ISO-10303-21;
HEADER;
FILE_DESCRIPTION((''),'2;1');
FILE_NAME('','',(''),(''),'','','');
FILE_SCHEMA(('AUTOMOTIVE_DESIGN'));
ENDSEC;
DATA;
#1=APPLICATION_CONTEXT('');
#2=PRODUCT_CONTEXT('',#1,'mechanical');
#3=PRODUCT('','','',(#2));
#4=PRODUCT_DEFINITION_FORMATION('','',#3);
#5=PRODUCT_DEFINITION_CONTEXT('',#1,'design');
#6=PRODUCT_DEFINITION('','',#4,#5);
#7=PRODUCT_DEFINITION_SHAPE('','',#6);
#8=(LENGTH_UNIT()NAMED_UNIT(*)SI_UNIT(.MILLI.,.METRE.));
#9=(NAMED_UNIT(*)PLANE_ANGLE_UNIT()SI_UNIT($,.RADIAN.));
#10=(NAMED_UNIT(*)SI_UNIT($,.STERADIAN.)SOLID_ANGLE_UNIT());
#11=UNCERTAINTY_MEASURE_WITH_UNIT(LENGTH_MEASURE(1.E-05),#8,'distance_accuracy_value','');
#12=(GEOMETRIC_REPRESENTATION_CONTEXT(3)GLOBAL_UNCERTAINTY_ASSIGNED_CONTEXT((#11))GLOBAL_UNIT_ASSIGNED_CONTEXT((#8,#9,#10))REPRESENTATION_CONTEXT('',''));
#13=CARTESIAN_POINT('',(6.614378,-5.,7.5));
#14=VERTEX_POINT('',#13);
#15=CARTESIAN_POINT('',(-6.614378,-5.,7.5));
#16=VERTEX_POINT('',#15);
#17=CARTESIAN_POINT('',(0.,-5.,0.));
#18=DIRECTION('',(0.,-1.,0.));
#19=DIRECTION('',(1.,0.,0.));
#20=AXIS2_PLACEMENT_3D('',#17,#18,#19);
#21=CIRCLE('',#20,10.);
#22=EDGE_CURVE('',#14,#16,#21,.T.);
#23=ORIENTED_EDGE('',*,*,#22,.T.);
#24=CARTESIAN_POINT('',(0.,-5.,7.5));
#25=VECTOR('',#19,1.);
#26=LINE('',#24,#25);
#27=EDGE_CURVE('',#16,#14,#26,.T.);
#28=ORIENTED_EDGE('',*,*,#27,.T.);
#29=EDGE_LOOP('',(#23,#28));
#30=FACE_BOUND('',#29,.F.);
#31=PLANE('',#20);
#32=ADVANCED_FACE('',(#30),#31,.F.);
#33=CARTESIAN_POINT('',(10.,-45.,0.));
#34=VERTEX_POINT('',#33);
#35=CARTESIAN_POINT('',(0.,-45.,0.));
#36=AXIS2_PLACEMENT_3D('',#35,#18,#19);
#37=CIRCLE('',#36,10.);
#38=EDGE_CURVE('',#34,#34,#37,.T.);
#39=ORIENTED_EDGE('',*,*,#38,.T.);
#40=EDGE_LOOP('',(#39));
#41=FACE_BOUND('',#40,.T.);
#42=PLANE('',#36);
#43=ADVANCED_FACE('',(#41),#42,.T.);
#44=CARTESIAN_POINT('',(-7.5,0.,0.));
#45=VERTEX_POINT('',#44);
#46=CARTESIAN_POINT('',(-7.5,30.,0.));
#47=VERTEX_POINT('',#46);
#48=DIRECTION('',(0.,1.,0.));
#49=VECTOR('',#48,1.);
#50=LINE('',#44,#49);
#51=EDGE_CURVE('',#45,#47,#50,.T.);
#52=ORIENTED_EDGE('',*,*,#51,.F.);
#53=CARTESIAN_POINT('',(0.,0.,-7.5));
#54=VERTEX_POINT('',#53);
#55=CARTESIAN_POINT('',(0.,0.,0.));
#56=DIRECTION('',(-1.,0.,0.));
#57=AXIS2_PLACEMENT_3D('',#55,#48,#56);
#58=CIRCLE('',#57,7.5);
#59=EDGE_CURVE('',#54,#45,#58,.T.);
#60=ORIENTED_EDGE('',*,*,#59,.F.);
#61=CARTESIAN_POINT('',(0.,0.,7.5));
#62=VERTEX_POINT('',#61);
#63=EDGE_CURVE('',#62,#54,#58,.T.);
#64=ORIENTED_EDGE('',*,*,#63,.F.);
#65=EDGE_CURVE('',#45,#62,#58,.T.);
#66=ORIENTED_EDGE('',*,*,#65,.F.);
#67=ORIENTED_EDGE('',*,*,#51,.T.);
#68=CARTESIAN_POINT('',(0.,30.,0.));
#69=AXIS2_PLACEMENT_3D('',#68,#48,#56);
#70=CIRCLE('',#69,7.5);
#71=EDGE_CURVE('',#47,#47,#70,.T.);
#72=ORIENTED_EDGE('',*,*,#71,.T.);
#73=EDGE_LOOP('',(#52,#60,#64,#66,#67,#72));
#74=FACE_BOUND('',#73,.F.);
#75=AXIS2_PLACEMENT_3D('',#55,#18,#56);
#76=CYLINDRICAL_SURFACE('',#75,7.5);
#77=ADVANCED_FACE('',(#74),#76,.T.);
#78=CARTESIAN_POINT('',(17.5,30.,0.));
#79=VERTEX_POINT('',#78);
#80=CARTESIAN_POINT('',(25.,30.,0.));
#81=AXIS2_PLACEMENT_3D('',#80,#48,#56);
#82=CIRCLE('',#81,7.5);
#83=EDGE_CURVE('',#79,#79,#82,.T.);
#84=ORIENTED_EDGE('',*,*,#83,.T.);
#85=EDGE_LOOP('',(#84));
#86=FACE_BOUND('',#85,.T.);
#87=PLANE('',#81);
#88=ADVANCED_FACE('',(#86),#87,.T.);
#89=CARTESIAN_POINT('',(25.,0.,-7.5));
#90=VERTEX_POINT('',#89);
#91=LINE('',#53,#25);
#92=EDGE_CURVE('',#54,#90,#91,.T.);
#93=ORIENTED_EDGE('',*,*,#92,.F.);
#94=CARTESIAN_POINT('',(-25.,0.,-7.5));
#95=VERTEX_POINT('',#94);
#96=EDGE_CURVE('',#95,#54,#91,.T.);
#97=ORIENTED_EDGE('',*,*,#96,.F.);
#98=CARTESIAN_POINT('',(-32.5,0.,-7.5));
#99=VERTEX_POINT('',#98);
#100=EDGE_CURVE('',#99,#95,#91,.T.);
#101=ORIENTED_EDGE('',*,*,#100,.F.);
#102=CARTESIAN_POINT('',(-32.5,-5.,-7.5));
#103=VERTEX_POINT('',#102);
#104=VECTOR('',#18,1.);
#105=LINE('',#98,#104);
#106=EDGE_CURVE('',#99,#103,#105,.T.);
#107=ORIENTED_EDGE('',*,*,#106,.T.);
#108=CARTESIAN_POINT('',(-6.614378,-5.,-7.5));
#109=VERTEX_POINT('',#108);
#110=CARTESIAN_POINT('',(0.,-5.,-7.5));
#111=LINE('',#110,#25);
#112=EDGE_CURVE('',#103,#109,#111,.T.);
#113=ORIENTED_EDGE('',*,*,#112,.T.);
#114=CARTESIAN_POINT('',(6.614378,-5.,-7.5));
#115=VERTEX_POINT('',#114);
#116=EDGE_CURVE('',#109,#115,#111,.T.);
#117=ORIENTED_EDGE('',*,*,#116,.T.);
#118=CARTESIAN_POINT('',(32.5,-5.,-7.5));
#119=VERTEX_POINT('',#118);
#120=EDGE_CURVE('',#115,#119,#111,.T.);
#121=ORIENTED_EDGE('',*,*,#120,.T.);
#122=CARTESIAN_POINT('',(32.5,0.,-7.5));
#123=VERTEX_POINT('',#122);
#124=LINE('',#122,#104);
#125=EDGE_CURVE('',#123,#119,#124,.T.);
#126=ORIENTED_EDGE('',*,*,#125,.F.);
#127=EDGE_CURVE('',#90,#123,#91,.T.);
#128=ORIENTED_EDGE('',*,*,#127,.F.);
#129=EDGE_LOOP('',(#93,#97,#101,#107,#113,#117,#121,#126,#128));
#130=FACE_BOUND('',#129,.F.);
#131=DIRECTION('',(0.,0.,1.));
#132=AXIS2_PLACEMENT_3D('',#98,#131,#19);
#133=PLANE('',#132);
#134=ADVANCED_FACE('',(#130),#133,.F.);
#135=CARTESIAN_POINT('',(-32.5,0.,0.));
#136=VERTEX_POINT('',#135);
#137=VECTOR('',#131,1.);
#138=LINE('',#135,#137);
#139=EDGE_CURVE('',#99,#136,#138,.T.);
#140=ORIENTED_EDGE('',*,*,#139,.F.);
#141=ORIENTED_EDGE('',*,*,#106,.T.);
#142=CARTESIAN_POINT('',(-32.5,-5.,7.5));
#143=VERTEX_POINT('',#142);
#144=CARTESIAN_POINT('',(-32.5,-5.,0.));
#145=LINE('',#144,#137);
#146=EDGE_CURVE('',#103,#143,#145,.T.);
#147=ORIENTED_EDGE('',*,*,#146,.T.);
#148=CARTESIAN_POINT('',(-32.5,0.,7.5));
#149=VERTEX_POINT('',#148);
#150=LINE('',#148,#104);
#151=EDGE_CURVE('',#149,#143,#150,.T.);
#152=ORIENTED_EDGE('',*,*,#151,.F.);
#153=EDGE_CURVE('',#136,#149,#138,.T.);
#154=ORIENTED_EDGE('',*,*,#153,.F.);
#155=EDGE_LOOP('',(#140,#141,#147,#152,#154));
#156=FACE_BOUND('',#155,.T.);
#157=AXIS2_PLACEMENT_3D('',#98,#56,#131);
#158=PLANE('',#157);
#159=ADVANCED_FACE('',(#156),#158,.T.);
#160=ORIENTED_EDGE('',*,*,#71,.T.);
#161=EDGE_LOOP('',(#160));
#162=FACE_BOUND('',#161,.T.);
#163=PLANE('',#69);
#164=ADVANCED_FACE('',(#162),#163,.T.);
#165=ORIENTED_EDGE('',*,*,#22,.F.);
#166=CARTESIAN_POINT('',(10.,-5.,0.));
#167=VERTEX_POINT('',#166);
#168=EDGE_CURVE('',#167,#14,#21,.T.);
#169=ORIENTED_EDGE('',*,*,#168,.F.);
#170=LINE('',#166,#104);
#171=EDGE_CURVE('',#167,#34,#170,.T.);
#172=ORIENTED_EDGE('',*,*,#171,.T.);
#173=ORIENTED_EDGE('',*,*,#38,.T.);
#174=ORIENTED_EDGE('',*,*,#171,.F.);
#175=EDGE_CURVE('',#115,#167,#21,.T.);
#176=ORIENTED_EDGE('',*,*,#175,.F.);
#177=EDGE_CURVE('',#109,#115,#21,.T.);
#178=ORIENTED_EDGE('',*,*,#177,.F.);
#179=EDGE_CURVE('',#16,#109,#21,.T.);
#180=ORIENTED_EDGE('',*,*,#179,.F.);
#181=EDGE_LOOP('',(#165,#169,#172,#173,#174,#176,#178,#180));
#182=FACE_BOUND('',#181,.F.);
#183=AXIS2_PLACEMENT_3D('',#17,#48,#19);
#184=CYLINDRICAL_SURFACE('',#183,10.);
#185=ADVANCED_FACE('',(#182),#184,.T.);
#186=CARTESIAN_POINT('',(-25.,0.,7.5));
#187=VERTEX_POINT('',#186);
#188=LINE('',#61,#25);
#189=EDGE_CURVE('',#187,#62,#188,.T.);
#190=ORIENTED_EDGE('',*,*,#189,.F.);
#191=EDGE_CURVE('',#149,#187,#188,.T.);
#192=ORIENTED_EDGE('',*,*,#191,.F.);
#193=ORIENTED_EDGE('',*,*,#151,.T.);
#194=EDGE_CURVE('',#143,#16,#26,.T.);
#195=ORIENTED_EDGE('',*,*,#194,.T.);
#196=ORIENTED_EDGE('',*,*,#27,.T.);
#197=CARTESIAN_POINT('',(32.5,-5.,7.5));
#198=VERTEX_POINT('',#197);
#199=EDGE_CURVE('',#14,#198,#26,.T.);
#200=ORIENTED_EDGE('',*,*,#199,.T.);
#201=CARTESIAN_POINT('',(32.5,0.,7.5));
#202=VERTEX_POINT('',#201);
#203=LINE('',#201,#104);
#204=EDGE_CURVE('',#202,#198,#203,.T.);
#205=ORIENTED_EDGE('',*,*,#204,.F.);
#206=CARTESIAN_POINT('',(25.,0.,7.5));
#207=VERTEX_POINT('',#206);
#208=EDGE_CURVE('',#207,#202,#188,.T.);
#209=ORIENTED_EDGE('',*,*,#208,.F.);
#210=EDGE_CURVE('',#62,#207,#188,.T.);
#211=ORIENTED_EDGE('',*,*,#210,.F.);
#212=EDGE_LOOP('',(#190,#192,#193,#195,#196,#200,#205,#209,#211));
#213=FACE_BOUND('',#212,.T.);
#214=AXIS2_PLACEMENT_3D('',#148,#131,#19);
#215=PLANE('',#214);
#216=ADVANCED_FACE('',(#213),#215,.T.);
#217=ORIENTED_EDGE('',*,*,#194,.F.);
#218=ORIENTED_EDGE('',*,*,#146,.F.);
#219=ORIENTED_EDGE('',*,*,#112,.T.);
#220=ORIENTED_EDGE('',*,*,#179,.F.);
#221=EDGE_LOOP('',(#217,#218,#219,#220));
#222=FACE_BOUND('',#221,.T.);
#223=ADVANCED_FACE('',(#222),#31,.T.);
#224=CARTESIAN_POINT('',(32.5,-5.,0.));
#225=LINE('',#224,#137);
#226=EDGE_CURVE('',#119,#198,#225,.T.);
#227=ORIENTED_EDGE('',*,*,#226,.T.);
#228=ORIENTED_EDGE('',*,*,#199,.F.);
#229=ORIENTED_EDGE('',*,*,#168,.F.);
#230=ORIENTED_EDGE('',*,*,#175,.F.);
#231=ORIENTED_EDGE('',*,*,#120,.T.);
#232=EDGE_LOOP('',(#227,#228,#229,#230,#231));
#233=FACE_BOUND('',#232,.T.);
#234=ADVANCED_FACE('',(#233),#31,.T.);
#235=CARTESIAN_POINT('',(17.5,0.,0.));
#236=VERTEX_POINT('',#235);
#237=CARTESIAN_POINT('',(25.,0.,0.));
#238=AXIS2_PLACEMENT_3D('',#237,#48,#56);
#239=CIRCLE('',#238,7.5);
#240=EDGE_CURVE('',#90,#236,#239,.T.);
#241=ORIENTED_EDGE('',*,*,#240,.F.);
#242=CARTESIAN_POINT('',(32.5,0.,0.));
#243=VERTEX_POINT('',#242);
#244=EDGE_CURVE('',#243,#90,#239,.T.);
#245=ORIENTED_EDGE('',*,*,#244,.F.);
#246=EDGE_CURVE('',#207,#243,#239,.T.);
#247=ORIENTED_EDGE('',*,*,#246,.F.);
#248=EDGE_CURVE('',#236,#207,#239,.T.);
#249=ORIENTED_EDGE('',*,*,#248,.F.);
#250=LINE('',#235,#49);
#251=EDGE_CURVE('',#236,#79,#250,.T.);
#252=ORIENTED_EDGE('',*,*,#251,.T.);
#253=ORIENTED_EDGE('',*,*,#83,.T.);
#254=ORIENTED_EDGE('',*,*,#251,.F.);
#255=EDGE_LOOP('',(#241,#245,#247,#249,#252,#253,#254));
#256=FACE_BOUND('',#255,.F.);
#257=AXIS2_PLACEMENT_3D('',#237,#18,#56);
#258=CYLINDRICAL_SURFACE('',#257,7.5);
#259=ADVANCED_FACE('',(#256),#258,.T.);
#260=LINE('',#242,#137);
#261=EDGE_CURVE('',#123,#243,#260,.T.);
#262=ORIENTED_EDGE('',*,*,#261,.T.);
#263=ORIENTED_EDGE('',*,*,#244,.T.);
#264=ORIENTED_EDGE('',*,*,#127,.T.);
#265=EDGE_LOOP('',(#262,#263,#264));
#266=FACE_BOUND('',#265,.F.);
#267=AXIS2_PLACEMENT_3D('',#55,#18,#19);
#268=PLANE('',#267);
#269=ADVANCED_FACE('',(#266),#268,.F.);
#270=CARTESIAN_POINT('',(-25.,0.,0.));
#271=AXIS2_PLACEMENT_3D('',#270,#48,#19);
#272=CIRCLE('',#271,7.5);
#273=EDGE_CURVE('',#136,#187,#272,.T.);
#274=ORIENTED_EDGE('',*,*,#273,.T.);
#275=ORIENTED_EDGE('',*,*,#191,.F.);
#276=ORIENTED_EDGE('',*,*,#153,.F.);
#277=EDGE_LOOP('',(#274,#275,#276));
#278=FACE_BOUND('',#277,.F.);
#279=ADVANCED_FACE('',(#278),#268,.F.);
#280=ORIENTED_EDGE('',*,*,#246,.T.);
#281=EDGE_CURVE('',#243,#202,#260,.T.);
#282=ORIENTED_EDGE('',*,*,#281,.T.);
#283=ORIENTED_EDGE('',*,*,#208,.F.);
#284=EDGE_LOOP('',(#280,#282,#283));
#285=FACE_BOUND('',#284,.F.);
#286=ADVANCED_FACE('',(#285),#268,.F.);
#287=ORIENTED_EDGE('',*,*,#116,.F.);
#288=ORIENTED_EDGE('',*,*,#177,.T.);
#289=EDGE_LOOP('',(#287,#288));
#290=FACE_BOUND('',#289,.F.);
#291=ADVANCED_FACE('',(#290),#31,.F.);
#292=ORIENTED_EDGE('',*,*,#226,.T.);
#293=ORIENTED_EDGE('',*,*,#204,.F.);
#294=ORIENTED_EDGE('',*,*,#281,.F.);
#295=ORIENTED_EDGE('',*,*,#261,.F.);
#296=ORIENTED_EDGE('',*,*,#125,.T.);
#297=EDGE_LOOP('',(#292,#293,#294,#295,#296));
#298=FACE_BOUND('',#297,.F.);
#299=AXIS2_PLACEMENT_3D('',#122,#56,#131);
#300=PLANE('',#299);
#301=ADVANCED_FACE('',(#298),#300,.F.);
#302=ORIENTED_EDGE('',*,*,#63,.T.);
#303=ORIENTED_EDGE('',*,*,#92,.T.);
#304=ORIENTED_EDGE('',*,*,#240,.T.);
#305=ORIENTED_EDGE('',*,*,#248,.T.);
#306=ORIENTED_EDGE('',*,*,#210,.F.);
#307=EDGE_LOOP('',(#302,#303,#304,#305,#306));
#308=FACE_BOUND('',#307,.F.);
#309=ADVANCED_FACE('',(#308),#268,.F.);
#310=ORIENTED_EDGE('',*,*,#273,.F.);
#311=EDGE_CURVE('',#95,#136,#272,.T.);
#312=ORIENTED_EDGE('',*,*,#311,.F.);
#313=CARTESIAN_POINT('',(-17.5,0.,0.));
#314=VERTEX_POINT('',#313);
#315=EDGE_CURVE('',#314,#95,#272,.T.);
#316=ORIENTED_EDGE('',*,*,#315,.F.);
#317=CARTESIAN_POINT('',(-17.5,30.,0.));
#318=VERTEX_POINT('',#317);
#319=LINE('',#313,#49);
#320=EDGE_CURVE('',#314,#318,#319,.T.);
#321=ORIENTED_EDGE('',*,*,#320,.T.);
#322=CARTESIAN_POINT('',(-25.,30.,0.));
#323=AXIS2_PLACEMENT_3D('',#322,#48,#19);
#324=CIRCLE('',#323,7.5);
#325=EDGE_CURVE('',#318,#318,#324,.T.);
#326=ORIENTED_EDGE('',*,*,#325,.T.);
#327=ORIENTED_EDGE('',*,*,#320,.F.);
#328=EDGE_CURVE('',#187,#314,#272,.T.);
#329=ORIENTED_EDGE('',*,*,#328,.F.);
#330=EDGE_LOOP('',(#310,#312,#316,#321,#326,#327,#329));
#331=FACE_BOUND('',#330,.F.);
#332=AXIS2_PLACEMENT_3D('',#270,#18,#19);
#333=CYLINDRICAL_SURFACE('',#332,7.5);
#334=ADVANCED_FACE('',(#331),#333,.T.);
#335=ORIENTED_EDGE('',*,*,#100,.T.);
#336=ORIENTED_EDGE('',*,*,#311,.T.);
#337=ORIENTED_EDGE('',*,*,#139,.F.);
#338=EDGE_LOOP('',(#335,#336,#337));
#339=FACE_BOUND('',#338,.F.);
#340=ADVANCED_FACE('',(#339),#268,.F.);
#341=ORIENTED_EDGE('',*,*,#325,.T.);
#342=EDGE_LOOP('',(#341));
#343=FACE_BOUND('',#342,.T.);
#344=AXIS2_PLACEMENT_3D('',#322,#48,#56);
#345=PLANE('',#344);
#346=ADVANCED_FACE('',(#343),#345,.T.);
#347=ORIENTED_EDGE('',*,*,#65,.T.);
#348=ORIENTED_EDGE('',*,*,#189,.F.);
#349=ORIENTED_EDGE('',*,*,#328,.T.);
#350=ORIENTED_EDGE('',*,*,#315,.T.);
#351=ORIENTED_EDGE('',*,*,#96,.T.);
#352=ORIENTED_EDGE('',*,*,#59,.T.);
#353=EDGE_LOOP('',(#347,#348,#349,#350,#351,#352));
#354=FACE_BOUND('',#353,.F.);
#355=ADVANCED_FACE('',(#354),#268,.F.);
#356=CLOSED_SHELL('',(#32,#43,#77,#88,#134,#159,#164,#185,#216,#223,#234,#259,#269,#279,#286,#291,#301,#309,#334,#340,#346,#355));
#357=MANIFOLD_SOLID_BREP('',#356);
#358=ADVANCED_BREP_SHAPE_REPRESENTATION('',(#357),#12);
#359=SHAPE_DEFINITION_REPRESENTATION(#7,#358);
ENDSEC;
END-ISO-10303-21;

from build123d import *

# Parameters (mm, degrees)
F0_W     = 65
F0_H     = 15
F1_DEPTH = 5
F2_R     = 7.5
F3_DEPTH = 30
F4_R     = 10
F5_DEPTH = 40


with BuildPart() as f1:
    # F0 (on Front) → F1 (new body)
    with BuildSketch(Plane.XZ):
        Rectangle(F0_W, F0_H)
    extrude(amount=F1_DEPTH)

    # F2 (on face) → F3 (join)
    with BuildSketch(Plane(origin=(0, 0, 0), x_dir=(-1, 0, 0), z_dir=(0, 1, 0))):
        with BuildLine():
            ThreePointArc((-7.5, 0), (0, -7.5), (7.5, 0))
            ThreePointArc((7.5, 0), (0, 7.5), (-7.5, 0))
        make_face()
        with Locations((-25, 0)):
            Circle(F2_R)
        with BuildLine():
            ThreePointArc((32.5, 0), (25, 7.5), (17.5, 0))
            ThreePointArc((17.5, 0), (25, -7.5), (32.5, 0))
        make_face()
    extrude(amount=F3_DEPTH)

    # F4 (on face) → F5 (join)
    with BuildSketch(Plane.XZ.offset(5)):
        Circle(F4_R)
    extrude(amount=F5_DEPTH)


solid = f1.part
